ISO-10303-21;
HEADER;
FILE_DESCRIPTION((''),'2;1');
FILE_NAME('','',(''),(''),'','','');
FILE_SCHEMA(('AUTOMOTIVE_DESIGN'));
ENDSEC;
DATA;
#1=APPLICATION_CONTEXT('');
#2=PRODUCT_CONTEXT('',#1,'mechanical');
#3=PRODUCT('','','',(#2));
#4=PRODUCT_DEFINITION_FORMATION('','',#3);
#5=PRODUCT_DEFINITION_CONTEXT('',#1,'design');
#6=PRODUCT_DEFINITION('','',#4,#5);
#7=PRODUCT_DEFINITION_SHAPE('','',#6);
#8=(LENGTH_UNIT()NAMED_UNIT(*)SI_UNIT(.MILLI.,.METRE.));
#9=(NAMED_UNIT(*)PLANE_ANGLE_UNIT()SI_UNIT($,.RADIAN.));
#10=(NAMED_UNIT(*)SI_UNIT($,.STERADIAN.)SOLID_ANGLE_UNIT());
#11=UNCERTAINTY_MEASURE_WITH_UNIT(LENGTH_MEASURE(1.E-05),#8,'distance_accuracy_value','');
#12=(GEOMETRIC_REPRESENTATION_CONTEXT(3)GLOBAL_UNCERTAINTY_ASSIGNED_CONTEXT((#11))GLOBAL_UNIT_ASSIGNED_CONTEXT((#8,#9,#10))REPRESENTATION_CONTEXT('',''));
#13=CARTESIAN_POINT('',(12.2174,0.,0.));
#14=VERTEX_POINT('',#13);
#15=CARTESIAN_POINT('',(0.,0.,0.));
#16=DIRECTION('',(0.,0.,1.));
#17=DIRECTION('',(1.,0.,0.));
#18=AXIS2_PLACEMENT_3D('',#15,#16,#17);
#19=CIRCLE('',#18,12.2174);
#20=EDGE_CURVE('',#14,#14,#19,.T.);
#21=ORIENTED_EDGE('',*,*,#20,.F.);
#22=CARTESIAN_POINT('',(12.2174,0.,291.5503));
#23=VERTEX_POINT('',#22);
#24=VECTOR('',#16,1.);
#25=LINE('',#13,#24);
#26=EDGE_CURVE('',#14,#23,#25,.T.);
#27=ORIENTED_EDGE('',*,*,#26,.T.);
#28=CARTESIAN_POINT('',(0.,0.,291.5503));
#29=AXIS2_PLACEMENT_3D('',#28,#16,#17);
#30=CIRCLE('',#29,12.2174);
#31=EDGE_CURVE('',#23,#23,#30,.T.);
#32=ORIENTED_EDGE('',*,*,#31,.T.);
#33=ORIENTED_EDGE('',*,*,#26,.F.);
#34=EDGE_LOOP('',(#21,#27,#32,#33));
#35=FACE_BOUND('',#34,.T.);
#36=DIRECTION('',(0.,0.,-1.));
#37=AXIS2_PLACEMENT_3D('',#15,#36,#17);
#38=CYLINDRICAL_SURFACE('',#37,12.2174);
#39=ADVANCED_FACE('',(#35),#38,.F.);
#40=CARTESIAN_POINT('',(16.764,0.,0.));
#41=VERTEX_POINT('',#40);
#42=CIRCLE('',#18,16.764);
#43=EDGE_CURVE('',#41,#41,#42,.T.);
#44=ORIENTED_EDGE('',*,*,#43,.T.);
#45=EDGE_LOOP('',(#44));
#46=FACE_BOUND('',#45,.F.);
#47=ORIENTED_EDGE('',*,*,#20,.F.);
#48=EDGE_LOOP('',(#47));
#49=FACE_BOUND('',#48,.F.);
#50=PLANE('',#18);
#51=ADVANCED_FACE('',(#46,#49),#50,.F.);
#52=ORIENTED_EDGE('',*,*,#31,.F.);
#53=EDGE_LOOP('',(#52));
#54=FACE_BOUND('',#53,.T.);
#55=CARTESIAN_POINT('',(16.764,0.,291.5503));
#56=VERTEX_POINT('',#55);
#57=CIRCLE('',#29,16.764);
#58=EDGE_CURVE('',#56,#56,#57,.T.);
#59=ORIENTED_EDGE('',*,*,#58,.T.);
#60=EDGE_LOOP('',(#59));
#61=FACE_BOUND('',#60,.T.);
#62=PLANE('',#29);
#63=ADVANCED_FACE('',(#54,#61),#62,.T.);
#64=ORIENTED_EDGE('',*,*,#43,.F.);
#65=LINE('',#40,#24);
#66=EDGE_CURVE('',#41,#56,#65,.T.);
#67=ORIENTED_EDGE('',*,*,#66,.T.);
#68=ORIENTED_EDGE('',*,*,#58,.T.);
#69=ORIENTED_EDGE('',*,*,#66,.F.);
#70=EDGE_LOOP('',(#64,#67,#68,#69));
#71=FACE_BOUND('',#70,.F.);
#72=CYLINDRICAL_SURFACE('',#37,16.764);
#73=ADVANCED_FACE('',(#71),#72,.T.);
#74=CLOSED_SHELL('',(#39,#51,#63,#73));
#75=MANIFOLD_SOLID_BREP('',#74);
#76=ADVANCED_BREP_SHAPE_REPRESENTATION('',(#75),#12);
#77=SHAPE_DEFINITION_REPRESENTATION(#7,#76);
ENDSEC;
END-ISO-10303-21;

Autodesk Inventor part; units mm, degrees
ref_plane "YZ Plane" through (0, 0, 0) normal (1, 0, 0) x (0, 1, 0)
ref_plane "Start Plane" through (0, 0, 0) normal (0, 0, 1) x (1, 0, 0)
ref_plane "End Plane" through (0, 0, 291.5503) normal (0, 0, 1) x (1, 0, 0)
sketch "Sketch" plane through (0, 0, 0) normal (0, 0, 1) x (1, 0, 0)
  circle A0 centre (0, 0) radius 12.2174
  circle A1 centre (0, 0) radius 16.764
  dimension "d0" = 33.528
  dimension "d1" = 4.5466
extrude "Body" add sketch "Sketch" along normal up to surface (291.5503 mm away) from surface at 0
sketch "Sketch3" plane through (0, 0, 0) normal (0, 0, 1) x (1, 0, 0)
  line L0 (0, 0) -> (10, 0)
ref_plane "Work Plane3" through (0, 0, 0) normal (0, -1, 0) x (1, 0, 0)
sketch "Sketch4" plane through (0, 0, 0) normal (0, -1, 0) x (1, 0, 0)
  line L0 (-2, 0) -> (12, 0) projected
  line L1 (-2, 291.5503) -> (12, 291.5503) projected
  dimension "d7" = 291.5503
equation "\"d0\" = G_H"
equation "\"d1\" = G_T"
equation "\"d2\" = G_L"
equation "\"G_H\" = 33.528"
equation "\"G_T\" = 4.5466"
equation "\"G_L\" = d7"
equation "\"G_OFFSET_START\" = 0"
equation "\"G_OFFSET_END\" = 0"
equation "\"d5\" = G_OFFSET_END + B_L"
equation "\"B_L\" = 291.55033"
properties part number "ANSI - 1 x 0.179 - 11.478" material "Steel, Mild"
